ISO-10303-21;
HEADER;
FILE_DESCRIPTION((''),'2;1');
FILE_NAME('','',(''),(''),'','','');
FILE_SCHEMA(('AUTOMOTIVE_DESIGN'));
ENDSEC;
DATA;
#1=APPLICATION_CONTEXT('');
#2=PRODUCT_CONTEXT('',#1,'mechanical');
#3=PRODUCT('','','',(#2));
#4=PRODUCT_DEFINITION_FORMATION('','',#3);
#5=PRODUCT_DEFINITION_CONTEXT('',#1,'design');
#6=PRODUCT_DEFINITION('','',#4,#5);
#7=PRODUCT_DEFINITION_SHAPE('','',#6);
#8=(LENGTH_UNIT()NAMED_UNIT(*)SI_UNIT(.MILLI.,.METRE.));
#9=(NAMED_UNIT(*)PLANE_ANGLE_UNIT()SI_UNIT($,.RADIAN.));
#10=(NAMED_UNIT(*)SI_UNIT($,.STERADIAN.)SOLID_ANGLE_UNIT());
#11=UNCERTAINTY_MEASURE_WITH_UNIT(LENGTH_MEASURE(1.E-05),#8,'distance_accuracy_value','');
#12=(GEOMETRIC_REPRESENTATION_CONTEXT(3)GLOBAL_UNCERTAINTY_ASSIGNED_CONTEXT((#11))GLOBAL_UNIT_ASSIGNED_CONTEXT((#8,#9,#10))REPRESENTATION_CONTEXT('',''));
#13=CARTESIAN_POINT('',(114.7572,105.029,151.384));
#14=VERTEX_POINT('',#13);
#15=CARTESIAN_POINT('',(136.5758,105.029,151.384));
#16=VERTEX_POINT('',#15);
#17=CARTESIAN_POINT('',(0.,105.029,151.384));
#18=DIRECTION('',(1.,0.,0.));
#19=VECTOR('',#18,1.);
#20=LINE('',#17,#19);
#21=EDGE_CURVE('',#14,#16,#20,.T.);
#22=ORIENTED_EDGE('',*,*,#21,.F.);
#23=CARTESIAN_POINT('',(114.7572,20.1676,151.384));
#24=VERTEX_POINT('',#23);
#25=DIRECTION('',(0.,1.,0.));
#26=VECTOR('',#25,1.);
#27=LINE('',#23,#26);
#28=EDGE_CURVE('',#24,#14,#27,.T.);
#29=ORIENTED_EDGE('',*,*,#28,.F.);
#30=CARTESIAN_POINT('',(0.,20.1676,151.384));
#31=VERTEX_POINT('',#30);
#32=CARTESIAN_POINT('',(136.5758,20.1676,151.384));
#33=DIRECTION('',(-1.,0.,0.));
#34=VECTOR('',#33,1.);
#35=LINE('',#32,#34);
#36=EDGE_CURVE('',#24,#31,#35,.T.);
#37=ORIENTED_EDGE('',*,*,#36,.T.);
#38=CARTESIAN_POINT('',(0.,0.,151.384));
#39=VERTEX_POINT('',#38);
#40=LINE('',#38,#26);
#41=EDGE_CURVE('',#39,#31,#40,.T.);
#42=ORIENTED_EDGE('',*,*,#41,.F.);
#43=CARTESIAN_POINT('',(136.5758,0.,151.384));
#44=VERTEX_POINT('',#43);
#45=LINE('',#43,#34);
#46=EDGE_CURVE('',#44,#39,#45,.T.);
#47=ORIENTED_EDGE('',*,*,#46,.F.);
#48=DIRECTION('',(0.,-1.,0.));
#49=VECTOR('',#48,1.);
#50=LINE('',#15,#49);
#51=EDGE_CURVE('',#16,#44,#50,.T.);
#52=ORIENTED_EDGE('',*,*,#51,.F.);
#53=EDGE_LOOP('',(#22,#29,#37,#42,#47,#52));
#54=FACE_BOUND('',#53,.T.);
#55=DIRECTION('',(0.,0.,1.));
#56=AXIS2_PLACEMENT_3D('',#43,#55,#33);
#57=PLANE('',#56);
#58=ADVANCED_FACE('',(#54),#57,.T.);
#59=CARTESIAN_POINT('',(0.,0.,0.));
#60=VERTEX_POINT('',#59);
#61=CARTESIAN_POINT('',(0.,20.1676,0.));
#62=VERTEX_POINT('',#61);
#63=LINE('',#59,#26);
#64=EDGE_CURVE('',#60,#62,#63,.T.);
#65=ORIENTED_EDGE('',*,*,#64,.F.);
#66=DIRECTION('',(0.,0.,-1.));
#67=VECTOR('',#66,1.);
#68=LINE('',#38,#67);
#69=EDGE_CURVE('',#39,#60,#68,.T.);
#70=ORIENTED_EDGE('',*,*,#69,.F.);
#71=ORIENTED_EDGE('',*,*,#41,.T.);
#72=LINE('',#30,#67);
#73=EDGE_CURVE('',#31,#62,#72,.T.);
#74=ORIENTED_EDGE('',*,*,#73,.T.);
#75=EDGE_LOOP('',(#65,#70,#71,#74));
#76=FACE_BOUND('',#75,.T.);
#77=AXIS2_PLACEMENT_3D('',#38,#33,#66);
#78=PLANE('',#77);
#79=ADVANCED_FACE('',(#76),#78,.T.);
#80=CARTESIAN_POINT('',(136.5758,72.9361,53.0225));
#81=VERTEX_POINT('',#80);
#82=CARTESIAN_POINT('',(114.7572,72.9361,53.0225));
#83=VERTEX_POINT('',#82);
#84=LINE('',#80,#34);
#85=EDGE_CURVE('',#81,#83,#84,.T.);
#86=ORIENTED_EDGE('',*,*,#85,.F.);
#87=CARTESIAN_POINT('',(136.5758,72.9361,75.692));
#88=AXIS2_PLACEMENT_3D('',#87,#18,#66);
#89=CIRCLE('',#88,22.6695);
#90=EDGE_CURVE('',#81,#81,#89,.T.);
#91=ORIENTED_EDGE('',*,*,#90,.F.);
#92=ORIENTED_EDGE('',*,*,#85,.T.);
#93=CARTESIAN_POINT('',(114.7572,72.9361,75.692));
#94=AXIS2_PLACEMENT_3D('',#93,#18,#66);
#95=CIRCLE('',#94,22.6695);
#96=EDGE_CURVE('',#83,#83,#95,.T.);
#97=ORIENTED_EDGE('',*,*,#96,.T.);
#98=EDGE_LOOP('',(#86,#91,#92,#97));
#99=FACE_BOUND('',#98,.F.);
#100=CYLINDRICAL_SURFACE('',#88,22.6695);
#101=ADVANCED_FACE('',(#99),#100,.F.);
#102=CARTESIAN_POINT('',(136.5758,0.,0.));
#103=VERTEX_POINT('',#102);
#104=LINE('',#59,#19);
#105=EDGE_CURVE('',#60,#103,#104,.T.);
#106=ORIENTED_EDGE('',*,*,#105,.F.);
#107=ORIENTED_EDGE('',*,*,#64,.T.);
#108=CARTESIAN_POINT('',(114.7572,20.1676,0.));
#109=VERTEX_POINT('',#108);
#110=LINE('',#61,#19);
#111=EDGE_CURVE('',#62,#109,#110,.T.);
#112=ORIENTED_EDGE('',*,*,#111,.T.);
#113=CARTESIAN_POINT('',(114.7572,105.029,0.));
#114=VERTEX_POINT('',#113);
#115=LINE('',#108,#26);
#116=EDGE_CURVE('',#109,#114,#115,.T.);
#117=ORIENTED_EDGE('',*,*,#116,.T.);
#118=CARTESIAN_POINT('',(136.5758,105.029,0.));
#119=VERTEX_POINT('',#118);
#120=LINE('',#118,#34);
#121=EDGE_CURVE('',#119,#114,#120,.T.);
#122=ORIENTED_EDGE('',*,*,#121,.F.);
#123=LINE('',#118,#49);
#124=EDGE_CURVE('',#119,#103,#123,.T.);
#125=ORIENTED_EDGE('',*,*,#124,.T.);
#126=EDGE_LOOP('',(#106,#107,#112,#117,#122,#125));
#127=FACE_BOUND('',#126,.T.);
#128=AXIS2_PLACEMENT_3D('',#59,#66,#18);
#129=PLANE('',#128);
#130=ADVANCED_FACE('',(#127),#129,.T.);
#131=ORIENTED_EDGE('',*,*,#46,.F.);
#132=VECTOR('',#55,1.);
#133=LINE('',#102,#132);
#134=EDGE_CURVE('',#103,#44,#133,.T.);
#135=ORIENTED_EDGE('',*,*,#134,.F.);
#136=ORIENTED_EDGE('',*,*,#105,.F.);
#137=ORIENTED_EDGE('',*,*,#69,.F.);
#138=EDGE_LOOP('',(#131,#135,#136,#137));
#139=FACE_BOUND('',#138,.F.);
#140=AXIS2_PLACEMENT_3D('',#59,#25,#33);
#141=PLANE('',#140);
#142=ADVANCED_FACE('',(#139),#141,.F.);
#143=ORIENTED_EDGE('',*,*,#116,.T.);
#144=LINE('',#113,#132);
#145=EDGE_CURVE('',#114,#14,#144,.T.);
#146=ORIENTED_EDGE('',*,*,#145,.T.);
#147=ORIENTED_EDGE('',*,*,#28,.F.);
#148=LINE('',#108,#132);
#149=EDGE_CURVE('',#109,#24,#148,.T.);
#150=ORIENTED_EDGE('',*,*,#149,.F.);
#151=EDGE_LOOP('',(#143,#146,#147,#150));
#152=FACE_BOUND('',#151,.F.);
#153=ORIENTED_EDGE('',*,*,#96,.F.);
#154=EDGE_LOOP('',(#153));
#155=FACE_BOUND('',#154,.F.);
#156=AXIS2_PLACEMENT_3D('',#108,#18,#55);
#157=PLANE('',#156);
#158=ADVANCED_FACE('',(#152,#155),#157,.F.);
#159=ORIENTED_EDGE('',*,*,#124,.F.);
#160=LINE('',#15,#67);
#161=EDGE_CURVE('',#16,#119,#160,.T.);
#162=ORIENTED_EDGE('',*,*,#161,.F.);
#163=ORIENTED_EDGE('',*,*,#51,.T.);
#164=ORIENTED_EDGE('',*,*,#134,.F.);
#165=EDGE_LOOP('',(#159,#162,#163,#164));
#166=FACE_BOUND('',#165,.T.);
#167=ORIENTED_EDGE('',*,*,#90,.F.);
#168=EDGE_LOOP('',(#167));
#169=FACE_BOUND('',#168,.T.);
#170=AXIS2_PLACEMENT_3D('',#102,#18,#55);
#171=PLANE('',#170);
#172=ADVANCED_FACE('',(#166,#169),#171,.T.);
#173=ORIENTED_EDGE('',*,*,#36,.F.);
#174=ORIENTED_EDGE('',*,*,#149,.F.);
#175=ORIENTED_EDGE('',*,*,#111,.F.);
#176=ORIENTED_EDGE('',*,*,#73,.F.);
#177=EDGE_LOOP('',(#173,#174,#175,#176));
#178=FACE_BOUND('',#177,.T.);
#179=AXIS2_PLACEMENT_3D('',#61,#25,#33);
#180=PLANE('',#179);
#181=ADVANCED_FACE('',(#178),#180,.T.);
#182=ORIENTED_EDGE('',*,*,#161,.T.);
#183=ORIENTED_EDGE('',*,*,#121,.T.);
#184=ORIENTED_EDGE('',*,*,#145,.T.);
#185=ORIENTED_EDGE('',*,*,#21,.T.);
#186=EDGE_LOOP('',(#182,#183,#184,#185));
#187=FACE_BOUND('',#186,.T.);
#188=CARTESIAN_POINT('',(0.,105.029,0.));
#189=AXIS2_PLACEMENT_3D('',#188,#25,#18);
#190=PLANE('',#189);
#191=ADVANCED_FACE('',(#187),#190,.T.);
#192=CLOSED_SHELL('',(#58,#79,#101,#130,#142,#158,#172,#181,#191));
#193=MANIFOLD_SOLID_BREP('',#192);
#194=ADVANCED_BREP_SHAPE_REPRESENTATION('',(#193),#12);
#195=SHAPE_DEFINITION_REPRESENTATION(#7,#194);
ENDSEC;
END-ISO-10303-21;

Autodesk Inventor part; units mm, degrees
ref_plane "YZ Plane" through (0, 0, 0) normal (1, 0, 0) x (0, 1, 0)
ref_plane "XZ Plane" through (0, 0, 0) normal (0, 1, 0) x (-1, 0, 0)
ref_plane "XY Plane" through (0, 0, 0) normal (0, 0, 1) x (1, 0, 0)
sketch "Sketch1" plane through (0, 0, 0) normal (0, 1, 0) x (-1, 0, 0)
  line L0 (0, 0) -> (-136.5758, 0)
  line L1 (-136.5758, 0) -> (-136.5758, 151.384)
  line L2 (-136.5758, 151.384) -> (0, 151.384)
  line L3 (0, 151.384) -> (0, 0)
  dimension "d0" = 136.5758
  dimension "d1" = 151.384
extrude "Extrusion1" add sketch "Sketch1" along normal blind 20.1676
sketch "Sketch2" plane through (136.5758, 0, 151.384) normal (1, 0, 0) x (0, 0, -1)
  line L0 (151.384, 0) -> (0, 0) projected
  line L1 (151.384, 0) -> (151.384, 20.1676) projected
  line L2 (0, 20.1676) -> (151.384, 20.1676) projected
  line L3 (0, 0) -> (0, 20.1676) projected
sketch "Sketch3" plane through (0, 20.1676, 0) normal (0, 1, 0) x (1, 0, 0)
  line L0 (0, -151.384) -> (136.5758, -151.384) projected
  line L1 (136.5758, 0) -> (114.7572, 0)
  line L2 (114.7572, 0) -> (114.7572, -151.384)
  line L3 (114.7572, -151.384) -> (136.5758, -151.384)
  line L4 (136.5758, -151.384) -> (136.5758, 0)
  dimension "d4" = 21.8186
extrude "Extrusion2" add sketch "Sketch3" along normal blind 84.8614
sketch "Sketch4" plane through (136.5758, 0, 151.384) normal (1, 0, 0) x (0, 0, -1)
  line L0 (0, 105.029) -> (151.384, 105.029) projected
  circle A0 centre (75.692, 72.9361) radius 22.6695
  dimension "d7" = 45.339
  dimension "d8" = 32.0929
extrude "Extrusion3" cut sketch "Sketch4" against normal blind 84.8614
properties part number "Pulling Bracket"
